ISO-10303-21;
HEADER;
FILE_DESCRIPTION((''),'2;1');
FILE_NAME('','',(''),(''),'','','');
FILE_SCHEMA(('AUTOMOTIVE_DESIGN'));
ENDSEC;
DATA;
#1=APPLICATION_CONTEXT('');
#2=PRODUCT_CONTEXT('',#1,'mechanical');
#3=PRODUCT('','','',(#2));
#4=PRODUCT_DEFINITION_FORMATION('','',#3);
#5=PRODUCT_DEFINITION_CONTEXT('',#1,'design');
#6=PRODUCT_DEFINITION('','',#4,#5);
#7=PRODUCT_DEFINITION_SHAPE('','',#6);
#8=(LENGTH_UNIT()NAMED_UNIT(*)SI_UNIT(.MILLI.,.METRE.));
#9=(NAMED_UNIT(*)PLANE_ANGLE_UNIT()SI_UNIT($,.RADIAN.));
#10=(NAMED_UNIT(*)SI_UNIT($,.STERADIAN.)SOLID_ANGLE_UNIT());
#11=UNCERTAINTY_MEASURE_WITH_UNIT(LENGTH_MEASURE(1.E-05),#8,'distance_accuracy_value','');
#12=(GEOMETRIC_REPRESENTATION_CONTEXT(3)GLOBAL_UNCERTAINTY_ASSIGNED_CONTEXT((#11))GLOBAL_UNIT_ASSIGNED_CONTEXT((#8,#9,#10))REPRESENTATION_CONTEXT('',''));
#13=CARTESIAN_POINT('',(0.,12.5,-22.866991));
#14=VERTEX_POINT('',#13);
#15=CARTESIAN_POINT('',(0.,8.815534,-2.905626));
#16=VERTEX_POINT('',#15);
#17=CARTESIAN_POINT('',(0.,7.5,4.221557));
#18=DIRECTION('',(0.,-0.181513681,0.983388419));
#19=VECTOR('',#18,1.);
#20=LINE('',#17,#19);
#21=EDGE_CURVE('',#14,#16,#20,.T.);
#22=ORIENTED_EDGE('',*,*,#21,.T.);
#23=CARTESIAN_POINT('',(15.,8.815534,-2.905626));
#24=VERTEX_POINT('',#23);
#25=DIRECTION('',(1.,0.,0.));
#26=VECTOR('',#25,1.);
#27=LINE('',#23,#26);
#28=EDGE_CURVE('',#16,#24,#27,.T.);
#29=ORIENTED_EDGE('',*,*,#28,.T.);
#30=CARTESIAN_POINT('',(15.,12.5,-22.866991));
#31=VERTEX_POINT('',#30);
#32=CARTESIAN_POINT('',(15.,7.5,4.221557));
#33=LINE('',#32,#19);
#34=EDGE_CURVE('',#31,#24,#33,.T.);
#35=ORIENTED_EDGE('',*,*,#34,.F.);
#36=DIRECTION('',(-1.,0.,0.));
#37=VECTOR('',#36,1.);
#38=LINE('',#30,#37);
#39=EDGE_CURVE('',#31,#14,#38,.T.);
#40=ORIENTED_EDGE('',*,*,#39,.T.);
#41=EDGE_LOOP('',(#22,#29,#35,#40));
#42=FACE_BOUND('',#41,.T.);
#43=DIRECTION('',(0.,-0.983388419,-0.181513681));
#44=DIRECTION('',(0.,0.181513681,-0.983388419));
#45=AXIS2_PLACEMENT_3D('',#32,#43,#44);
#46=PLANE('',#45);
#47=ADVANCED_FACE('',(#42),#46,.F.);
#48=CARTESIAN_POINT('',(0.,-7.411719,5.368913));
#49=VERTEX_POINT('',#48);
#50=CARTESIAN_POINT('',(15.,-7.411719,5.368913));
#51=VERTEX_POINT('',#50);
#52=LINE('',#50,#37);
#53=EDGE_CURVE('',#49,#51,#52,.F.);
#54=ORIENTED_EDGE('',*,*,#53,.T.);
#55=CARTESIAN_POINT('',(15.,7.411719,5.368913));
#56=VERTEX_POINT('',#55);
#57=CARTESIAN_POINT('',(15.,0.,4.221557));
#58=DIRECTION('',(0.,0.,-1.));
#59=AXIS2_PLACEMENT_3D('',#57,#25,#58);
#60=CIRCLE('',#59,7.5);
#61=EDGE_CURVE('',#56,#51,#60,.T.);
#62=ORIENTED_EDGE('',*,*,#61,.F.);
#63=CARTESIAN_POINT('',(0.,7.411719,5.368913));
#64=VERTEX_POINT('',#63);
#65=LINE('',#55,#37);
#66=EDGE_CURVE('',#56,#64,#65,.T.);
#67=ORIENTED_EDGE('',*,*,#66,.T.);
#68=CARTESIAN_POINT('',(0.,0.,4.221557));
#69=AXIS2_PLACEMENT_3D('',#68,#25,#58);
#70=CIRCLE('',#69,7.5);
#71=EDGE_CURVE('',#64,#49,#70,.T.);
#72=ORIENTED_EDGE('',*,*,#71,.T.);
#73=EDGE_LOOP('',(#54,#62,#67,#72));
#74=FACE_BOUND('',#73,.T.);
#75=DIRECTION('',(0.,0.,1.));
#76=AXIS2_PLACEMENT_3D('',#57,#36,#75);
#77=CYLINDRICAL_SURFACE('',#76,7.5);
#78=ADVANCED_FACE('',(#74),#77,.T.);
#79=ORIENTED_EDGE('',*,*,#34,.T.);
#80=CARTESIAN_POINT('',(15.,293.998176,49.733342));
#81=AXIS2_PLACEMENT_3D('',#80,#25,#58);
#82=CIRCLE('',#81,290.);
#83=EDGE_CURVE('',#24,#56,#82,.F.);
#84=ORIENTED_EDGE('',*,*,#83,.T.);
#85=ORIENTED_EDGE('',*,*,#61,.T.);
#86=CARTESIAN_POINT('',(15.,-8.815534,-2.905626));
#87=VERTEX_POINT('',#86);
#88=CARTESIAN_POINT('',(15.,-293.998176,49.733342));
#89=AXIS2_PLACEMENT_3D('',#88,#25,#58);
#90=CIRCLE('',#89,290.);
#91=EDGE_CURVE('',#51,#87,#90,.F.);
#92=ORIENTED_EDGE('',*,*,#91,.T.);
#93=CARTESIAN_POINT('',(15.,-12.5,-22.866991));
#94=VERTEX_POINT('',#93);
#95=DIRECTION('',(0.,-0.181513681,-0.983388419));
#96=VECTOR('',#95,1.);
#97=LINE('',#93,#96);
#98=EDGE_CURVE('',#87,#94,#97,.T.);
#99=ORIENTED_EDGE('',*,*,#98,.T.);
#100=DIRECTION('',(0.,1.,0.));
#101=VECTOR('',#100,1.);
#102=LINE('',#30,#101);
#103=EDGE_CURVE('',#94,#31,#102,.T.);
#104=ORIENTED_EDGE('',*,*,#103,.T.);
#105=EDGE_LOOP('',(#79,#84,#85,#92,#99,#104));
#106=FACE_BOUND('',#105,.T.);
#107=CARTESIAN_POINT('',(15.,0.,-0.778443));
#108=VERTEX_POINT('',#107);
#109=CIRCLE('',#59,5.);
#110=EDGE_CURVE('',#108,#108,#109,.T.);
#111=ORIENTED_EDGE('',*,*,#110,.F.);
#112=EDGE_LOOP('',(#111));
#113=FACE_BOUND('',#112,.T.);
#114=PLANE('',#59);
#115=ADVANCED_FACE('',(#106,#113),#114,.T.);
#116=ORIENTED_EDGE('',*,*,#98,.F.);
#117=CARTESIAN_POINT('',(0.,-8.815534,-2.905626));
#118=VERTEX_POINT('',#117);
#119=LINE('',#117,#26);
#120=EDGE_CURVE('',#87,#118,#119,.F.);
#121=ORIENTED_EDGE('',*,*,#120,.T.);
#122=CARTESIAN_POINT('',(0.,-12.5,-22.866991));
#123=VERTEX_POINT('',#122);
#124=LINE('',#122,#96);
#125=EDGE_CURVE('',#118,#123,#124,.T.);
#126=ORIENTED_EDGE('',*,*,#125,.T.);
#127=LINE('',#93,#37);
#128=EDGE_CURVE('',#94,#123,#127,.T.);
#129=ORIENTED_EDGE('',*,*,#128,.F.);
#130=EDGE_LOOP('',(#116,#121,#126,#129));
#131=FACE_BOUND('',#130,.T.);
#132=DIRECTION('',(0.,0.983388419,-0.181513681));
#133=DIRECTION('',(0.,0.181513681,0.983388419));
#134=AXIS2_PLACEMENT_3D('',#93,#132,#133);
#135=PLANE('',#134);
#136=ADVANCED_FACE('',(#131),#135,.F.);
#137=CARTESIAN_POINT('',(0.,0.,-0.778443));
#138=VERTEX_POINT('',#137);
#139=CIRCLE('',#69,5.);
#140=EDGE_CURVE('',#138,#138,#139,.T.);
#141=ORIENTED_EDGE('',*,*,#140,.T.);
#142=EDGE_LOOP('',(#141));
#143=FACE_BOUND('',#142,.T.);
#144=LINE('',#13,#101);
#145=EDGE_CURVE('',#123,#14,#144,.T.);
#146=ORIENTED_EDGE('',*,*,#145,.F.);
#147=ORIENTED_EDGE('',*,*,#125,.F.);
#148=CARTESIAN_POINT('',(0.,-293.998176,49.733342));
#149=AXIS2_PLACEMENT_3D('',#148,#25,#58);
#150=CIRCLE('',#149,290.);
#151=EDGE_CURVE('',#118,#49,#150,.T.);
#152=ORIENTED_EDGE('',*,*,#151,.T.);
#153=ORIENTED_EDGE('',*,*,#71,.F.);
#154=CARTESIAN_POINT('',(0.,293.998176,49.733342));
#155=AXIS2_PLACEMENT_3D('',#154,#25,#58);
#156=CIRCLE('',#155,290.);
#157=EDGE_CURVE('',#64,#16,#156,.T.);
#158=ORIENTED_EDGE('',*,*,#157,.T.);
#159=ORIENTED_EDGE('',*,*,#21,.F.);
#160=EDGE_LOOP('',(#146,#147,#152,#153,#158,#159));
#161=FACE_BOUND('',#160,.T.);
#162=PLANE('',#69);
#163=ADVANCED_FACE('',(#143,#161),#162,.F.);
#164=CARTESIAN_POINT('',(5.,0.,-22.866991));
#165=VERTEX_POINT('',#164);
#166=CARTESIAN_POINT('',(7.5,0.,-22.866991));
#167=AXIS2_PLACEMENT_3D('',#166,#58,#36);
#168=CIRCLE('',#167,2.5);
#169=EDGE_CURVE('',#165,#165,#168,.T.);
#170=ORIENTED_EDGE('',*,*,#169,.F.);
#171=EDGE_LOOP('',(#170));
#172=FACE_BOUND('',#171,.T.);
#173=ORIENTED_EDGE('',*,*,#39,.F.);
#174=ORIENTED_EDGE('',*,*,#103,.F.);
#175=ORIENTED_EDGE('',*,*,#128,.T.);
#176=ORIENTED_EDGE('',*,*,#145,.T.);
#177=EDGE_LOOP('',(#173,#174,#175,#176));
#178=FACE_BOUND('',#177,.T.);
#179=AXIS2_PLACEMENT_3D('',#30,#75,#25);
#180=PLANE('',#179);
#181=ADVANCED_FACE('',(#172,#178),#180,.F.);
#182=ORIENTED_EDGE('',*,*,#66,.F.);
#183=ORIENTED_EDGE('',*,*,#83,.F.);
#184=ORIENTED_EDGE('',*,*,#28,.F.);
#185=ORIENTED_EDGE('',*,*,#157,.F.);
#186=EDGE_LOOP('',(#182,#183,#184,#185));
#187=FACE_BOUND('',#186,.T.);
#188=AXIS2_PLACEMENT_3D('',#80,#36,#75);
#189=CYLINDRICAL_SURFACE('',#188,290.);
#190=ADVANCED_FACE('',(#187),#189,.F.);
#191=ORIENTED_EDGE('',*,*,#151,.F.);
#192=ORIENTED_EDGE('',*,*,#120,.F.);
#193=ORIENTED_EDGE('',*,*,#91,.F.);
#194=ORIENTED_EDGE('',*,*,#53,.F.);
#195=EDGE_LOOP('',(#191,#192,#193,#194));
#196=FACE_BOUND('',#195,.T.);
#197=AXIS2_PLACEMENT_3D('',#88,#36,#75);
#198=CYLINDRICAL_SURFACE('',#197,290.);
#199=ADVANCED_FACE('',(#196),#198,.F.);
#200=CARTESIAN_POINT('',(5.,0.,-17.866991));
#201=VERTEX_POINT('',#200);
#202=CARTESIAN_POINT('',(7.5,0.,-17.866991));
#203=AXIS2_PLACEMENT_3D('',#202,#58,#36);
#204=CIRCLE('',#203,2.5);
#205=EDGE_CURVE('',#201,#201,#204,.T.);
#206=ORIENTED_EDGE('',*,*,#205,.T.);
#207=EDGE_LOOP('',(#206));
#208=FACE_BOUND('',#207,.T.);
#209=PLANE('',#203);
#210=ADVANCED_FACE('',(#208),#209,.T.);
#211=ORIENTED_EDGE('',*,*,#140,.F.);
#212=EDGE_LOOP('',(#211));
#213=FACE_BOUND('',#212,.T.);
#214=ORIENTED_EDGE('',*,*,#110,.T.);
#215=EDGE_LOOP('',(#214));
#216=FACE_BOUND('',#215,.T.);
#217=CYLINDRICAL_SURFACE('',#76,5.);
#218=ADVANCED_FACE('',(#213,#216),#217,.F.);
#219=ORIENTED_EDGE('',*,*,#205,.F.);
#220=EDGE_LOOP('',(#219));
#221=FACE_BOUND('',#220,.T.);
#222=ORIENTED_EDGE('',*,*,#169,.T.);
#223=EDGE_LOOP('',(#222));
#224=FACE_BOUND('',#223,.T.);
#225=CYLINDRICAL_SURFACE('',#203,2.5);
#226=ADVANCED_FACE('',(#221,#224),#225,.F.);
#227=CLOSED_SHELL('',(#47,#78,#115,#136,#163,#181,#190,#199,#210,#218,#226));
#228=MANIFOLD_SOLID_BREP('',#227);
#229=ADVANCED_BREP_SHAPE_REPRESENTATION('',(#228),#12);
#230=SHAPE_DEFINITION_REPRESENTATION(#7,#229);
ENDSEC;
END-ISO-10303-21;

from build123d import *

# Parameters (mm, degrees)
SKETCH1_R           = 5
BOSS_EXTRUDE1_DEPTH = 15
FILLET1_R           = 290
SKETCH3_R           = 2.5
CUT_EXTRUDE2_DEPTH  = 5


with BuildPart() as part:
    # Sketch1 → Boss-Extrude1 (new body)
    with BuildSketch(Plane(origin=(0, 0, 0), x_dir=(0, 0, -1), z_dir=(1, 0, 0))):
        with BuildLine():
            Line((-4.221556886, 7.5), (22.866991249, 12.5))
            Line((22.866991249, 12.5), (22.866991249, -12.5))
            Line((22.866991249, -12.5), (-4.221556886, -7.5))
            ThreePointArc((-4.221556886, -7.5), (-11.721556886, 0), (-4.221556886, 7.5))
        make_face()
        with Locations((-4.221556886, 0)):
            Circle(SKETCH1_R, mode=Mode.SUBTRACT)
    extrude(amount=BOSS_EXTRUDE1_DEPTH)

    # Fillet1
    fillet1_edges = [part.edges().sort_by_distance(p)[0] for p in [
        (7.5, -7.5, 4.221556886),
        (7.5, 7.5, 4.221556886),
    ]]
    fillet(fillet1_edges, radius=FILLET1_R)

    # Sketch3 → Cut-Extrude2 (cut)
    with BuildSketch(Plane(origin=(0, 0, -22.866991249), x_dir=(-1, 0, 0), z_dir=(0, 0, -1))):
        with Locations((-7.5, 0)):
            Circle(SKETCH3_R)
    extrude(amount=-CUT_EXTRUDE2_DEPTH, mode=Mode.SUBTRACT)


solid = part.part
